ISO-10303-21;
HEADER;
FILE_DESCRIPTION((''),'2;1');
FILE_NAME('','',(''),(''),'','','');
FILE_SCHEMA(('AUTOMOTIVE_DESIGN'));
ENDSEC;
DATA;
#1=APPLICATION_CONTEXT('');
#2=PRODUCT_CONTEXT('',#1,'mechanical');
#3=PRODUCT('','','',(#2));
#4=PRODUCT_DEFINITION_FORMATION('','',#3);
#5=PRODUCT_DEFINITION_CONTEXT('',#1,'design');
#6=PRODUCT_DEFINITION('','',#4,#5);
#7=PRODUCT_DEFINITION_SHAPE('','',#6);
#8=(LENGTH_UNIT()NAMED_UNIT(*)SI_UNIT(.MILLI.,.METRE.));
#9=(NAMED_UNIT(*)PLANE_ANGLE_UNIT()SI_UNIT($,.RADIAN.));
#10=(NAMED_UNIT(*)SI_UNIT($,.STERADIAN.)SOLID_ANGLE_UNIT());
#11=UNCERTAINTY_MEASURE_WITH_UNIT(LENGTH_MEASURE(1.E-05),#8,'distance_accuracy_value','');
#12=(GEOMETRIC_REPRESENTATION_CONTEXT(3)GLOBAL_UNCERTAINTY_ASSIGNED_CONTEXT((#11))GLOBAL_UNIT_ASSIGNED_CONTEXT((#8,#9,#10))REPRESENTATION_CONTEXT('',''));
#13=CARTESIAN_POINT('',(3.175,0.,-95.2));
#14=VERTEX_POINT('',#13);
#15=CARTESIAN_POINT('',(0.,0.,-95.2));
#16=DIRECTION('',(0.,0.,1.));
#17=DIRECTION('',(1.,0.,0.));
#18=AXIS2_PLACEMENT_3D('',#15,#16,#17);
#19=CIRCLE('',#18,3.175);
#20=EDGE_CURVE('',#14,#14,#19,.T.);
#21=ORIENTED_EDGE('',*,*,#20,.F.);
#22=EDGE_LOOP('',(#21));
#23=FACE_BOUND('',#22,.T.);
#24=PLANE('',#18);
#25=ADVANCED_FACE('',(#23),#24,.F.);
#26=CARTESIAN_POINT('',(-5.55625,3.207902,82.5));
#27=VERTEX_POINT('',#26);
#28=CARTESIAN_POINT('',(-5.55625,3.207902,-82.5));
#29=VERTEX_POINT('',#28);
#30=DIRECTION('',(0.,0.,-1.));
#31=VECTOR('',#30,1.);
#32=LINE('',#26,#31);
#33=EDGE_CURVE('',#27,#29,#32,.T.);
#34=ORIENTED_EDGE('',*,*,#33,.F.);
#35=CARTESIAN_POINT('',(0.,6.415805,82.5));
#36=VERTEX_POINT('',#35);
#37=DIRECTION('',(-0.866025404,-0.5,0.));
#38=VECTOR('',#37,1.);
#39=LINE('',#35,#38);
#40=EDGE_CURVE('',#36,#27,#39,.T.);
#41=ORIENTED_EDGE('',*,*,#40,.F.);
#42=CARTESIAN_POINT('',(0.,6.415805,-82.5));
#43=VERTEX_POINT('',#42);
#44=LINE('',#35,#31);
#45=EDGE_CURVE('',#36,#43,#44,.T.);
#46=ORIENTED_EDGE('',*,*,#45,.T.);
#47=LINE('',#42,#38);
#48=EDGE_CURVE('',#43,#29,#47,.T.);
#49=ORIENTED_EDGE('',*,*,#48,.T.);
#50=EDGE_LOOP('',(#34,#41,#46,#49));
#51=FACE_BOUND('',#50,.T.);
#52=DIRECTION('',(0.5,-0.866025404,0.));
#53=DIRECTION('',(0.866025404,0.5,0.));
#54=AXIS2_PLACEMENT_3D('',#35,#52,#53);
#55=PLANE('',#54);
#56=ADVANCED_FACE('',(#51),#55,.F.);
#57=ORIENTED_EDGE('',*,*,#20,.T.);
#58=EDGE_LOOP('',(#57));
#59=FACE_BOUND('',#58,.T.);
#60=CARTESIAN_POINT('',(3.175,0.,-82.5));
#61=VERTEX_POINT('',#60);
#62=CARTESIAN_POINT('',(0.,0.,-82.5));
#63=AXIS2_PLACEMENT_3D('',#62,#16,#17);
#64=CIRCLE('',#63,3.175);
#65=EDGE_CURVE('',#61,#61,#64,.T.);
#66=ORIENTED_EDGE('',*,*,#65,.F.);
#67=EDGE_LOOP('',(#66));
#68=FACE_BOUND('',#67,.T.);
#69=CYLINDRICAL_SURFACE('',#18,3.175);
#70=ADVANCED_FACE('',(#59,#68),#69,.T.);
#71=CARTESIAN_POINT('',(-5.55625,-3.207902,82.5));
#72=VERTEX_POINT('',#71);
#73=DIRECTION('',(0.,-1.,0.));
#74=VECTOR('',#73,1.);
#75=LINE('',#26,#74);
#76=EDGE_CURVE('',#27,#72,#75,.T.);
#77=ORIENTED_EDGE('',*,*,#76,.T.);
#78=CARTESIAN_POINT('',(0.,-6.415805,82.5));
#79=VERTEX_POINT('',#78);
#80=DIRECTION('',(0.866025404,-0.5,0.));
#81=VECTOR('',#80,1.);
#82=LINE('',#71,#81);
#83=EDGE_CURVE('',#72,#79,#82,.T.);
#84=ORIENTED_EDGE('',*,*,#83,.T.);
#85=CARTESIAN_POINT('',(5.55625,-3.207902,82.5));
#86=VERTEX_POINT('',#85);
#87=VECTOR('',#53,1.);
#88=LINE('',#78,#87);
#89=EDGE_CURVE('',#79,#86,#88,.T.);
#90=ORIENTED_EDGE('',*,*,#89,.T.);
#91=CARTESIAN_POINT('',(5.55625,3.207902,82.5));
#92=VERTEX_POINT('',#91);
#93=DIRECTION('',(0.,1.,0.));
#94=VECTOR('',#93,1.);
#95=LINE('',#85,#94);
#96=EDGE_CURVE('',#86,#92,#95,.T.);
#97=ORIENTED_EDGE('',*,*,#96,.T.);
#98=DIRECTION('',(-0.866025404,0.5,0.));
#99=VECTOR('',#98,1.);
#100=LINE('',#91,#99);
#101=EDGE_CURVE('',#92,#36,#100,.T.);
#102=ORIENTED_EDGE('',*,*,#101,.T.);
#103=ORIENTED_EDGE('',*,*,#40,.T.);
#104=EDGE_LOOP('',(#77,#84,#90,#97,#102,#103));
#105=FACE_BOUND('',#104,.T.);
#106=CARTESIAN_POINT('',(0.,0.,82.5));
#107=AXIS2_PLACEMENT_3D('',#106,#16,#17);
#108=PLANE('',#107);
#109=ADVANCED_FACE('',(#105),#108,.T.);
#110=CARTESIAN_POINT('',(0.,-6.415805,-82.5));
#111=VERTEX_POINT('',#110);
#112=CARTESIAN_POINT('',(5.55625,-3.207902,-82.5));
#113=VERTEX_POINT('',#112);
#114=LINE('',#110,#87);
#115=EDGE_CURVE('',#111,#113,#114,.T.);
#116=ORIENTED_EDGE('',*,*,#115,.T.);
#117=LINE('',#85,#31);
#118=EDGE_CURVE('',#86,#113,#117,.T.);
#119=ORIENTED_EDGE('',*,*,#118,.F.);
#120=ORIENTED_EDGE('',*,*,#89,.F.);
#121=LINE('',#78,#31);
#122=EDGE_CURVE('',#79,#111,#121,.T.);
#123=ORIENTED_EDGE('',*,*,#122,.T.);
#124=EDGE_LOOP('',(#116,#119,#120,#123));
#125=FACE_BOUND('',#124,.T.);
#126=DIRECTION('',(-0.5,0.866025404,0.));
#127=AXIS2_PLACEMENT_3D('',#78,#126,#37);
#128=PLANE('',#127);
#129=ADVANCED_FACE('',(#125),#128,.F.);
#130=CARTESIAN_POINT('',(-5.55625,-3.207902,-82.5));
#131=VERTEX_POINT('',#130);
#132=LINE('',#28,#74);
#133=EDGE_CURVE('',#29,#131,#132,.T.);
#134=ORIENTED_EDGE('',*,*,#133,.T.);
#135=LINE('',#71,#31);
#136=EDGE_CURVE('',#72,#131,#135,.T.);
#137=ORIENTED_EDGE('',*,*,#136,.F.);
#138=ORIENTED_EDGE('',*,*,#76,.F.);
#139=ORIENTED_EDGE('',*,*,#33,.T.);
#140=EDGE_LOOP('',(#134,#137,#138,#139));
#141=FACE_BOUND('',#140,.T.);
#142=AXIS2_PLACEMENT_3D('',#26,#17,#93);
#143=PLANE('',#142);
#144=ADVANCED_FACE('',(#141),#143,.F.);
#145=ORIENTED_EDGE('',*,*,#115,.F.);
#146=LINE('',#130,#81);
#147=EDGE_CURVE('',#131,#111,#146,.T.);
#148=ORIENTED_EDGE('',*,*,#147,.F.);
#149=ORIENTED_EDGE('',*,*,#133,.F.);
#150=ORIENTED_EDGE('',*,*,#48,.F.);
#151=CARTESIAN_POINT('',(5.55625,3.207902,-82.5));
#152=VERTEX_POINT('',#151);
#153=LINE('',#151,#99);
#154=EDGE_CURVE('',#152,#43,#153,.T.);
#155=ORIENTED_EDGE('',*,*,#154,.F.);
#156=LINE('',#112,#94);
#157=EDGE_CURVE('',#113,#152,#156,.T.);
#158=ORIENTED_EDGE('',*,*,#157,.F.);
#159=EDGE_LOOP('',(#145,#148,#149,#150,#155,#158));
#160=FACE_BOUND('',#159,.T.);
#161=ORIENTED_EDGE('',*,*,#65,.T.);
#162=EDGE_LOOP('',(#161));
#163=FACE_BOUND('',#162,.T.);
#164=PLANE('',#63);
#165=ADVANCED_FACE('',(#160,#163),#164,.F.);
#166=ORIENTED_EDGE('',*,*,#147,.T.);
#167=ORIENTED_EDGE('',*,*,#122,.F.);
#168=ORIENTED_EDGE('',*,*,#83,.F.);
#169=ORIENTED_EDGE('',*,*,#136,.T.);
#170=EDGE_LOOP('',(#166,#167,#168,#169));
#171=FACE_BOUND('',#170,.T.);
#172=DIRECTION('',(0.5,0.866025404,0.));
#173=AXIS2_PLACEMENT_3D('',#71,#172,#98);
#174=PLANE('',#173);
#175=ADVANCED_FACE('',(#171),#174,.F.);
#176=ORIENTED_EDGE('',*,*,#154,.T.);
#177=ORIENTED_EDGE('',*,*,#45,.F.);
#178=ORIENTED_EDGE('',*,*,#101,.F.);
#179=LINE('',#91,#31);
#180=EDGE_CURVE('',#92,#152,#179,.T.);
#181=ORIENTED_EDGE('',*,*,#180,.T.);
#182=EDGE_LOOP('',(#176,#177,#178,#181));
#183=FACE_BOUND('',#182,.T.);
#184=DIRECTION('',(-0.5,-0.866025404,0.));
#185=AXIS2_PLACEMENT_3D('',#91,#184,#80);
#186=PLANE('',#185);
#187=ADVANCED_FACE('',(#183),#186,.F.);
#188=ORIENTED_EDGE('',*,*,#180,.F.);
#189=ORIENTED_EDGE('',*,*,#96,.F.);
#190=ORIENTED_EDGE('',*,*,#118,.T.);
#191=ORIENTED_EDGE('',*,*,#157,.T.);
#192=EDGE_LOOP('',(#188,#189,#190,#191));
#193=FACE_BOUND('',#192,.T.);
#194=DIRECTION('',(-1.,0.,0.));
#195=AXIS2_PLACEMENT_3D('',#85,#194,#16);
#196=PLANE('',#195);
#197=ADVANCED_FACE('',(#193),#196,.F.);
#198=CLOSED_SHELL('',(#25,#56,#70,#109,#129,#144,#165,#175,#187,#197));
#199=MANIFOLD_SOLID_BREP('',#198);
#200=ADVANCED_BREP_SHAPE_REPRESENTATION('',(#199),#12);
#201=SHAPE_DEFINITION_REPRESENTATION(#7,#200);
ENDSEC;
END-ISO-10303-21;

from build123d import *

# Parameters (mm, degrees)
BOSS_EXTRUDE2_DEPTH      = 82.5
BOSS_EXTRUDE2_DEPTH_BACK = 82.5
SKETCH4_R                = 3.175
BOSS_EXTRUDE3_DEPTH      = 12.7


with BuildPart() as part:
    # Sketch3 → Boss-Extrude2 (new body, two sides)
    with BuildSketch(Plane.XY) as boss_extrude2_sk:
        Polygon((-5.55625, -3.207902433), (0, -6.415804866), (5.55625, -3.207902433), (5.55625, 3.207902433), (0, 6.415804866), (-5.55625, 3.207902433), align=None)
    extrude(amount=BOSS_EXTRUDE2_DEPTH)
    extrude(boss_extrude2_sk.sketch, amount=-BOSS_EXTRUDE2_DEPTH_BACK)

    # Sketch4 → Boss-Extrude3 (add)
    with BuildSketch(Plane.XY.offset(-82.5)):
        Circle(SKETCH4_R)
    extrude(amount=-BOSS_EXTRUDE3_DEPTH)


solid = part.part
